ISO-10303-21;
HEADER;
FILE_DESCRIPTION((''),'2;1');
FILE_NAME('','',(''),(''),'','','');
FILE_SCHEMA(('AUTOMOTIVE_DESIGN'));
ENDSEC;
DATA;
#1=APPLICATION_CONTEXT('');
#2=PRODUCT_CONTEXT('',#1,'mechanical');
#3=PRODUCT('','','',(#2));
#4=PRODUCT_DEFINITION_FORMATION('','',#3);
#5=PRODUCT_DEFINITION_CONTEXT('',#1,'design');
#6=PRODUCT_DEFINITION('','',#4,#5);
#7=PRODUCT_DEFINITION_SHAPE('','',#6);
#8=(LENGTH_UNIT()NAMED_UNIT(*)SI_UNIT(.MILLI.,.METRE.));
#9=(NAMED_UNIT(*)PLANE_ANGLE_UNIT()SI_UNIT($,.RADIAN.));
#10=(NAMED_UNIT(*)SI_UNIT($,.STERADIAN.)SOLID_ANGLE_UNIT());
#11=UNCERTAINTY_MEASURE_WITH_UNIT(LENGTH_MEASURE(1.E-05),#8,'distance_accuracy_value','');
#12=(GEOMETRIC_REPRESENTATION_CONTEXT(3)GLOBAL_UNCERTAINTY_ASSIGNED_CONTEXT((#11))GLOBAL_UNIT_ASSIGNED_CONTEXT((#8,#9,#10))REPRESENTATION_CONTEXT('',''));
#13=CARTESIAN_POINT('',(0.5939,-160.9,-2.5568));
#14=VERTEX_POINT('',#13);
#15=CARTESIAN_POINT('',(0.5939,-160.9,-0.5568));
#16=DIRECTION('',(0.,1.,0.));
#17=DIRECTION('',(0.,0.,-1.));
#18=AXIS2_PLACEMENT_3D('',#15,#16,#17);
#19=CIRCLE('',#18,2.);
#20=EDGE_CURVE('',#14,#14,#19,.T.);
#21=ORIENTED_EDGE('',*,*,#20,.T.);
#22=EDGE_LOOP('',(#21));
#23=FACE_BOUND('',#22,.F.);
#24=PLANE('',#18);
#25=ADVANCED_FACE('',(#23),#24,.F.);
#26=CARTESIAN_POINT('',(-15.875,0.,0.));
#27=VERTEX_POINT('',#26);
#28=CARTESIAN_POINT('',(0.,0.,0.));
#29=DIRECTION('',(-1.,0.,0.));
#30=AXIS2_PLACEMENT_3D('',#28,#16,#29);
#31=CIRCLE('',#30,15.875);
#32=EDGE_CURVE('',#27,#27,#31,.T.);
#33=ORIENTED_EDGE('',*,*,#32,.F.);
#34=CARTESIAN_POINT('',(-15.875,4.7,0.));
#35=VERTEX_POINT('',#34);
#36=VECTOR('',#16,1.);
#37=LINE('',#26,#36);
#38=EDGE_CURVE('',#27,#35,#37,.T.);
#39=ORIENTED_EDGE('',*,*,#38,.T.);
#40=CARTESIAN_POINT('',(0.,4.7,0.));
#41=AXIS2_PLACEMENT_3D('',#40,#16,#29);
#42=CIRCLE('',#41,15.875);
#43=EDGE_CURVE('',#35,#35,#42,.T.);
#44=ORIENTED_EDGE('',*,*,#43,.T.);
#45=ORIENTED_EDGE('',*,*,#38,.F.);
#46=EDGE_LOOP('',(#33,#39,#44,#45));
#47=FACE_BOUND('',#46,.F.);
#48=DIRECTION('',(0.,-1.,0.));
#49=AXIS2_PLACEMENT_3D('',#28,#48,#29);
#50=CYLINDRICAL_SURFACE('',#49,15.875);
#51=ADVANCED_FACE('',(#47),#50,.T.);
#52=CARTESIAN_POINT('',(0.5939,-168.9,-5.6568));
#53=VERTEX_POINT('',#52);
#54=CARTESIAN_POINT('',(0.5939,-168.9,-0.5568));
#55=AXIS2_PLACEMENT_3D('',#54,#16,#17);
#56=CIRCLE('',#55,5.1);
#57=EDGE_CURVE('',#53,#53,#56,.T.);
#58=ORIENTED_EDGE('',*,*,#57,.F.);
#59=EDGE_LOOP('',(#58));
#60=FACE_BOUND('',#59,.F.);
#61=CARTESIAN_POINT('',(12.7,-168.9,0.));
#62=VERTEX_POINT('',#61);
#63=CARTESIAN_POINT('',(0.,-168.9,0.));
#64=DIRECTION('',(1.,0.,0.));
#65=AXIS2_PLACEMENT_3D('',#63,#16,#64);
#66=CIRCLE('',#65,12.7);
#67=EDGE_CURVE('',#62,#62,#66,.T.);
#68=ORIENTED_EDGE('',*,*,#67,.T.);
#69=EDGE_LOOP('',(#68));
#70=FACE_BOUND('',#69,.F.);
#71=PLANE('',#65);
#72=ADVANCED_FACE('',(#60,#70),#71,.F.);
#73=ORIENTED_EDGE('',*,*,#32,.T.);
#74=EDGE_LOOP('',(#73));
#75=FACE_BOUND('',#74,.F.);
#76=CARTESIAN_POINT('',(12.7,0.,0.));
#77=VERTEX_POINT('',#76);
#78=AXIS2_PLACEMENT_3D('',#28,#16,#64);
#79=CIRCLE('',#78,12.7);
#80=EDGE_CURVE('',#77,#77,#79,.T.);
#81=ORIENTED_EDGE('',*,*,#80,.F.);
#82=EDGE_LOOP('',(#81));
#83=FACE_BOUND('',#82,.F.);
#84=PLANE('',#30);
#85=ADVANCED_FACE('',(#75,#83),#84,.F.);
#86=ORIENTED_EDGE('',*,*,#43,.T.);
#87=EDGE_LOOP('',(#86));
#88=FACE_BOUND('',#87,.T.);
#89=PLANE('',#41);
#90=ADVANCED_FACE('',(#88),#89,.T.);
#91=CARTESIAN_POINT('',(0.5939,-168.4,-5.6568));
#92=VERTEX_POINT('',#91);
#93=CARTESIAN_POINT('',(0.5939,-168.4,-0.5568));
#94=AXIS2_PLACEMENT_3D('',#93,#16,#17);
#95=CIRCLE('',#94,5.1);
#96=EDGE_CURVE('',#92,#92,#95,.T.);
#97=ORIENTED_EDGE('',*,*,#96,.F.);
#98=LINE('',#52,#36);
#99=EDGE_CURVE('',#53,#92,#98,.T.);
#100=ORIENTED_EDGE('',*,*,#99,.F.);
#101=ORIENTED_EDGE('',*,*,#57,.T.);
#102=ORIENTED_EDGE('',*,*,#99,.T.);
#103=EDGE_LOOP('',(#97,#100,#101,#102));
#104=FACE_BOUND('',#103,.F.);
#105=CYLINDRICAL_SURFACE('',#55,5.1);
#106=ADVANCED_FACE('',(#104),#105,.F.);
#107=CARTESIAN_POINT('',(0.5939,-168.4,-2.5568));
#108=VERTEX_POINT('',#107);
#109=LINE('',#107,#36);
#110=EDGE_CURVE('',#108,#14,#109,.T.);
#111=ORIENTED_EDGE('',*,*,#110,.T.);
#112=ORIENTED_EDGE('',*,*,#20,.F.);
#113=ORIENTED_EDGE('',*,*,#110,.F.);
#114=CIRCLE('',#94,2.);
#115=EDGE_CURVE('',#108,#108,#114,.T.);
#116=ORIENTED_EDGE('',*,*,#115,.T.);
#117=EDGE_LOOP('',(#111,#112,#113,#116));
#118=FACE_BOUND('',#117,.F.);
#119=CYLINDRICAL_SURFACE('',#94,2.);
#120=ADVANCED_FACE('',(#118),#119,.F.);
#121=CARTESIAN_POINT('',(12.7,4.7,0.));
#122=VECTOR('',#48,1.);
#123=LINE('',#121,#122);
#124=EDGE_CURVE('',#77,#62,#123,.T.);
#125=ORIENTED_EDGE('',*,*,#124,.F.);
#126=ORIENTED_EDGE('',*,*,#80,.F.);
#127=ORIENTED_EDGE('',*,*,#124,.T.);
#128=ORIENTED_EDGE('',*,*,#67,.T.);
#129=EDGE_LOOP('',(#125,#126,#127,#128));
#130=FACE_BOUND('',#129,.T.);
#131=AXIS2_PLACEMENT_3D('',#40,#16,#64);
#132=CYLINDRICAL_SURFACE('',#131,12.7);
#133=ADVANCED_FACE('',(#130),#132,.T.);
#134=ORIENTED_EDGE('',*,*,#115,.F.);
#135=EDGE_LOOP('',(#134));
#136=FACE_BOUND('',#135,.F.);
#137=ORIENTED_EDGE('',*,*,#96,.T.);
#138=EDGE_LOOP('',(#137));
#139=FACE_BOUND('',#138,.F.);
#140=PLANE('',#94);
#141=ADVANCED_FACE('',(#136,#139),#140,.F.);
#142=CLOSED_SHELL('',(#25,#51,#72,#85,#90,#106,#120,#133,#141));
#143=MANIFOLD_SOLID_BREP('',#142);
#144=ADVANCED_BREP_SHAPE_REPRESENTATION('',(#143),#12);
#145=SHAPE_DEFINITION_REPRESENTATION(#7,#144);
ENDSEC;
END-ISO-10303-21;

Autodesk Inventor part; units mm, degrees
ref_plane "YZ Plane" through (0, 0, 0) normal (1, 0, 0) x (0, 1, 0)
ref_plane "XZ Plane" through (0, 0, 0) normal (0, 1, 0) x (-1, 0, 0)
ref_plane "XY Plane" through (0, 0, 0) normal (0, 0, 1) x (1, 0, 0)
sketch "Boceto1" plane through (0, 0, 0) normal (0, 1, 0) x (-1, 0, 0)
  circle A0 centre (0, 0) radius 12.7
  circle A1 centre (0, 0) radius 15.875
  dimension "d0" = 25.4
  dimension "d1" = 31.75
extrude "Extrusión1" add sketch "Boceto1" along normal blind 4.7
sketch "Boceto2" plane through (0, 4.7, 0) normal (0, 1, 0) x (1, 0, 0)
  circle A0 centre (0, 0) radius 12.7
  dimension "d4" = 25.4
extrude "Extrusión2" add sketch "Boceto2" against normal blind 173.6
hole "Agujero1" at (0.5939, -168.9, -0.5568) direction (0, 1, 0) diameter 4 depth 8 counterbore diameter 10.2 counterbore depth 0.5
thread "Rosca1" size "M4x0.7" class "6H" standard "ANSI Metric M Profile" full length
properties part number "post"
